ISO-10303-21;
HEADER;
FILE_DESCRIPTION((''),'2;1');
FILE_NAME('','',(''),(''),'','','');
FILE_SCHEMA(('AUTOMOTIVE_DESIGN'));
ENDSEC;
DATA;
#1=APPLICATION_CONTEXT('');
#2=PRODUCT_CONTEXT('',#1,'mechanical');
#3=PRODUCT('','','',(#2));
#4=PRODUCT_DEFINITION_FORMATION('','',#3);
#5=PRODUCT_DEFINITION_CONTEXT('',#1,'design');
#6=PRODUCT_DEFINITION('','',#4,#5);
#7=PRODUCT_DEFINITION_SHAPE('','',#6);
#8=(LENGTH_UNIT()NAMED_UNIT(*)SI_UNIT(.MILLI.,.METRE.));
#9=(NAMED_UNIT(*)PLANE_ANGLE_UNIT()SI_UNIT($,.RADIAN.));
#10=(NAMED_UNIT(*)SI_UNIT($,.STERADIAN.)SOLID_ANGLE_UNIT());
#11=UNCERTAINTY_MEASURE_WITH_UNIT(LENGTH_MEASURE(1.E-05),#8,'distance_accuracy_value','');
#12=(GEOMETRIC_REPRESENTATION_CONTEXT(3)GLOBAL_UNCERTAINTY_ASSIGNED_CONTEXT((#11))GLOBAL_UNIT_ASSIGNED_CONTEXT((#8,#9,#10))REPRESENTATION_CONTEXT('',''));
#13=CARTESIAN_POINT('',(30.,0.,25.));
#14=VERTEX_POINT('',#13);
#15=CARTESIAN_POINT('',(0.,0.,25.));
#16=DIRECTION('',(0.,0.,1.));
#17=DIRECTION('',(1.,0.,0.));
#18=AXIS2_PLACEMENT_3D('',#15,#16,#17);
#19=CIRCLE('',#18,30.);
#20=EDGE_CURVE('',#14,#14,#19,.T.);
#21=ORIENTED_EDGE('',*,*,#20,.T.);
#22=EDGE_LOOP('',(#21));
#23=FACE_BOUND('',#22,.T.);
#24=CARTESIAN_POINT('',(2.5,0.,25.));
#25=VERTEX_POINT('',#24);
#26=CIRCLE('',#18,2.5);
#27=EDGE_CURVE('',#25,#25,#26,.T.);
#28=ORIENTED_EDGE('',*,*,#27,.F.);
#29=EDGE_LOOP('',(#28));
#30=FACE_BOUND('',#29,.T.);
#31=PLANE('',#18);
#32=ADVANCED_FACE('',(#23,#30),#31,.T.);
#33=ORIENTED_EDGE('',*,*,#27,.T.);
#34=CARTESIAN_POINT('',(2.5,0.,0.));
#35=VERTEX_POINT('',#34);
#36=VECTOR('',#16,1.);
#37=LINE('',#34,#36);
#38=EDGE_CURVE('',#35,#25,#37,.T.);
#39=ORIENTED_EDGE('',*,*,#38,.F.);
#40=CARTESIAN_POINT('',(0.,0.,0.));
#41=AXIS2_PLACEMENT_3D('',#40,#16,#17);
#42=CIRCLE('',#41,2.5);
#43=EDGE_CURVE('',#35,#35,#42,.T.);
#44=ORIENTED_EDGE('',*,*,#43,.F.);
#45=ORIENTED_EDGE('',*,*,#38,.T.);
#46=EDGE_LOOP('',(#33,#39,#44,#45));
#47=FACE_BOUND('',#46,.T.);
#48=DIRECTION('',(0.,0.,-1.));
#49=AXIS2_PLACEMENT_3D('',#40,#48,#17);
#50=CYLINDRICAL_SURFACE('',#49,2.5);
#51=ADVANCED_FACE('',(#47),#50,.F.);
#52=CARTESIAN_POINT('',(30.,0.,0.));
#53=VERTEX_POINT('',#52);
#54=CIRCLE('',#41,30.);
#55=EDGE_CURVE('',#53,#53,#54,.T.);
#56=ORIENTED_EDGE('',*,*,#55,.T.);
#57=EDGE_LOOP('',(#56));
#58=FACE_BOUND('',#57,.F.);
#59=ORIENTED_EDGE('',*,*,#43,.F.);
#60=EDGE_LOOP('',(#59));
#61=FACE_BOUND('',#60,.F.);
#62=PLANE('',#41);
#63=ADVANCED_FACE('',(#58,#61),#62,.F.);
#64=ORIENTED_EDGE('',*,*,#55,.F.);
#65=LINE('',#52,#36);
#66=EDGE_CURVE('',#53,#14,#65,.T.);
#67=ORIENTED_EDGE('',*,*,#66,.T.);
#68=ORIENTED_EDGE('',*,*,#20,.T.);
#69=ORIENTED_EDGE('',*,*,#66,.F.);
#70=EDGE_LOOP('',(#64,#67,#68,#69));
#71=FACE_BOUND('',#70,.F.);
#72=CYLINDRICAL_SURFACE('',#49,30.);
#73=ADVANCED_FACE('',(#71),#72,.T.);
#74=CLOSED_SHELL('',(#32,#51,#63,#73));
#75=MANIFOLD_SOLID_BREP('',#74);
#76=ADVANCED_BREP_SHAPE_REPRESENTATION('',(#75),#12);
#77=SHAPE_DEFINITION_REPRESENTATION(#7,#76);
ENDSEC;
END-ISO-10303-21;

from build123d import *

# Parameters (mm, degrees)
SKETCH_R   = 30
SKETCH_R_2 = 2.5
PAD_DEPTH  = 25


with BuildPart() as part:
    # Sketch → Pad (new body)
    with BuildSketch(Plane.XY):
        Circle(SKETCH_R)
        Circle(SKETCH_R_2, mode=Mode.SUBTRACT)
    extrude(amount=PAD_DEPTH)


solid = part.part
